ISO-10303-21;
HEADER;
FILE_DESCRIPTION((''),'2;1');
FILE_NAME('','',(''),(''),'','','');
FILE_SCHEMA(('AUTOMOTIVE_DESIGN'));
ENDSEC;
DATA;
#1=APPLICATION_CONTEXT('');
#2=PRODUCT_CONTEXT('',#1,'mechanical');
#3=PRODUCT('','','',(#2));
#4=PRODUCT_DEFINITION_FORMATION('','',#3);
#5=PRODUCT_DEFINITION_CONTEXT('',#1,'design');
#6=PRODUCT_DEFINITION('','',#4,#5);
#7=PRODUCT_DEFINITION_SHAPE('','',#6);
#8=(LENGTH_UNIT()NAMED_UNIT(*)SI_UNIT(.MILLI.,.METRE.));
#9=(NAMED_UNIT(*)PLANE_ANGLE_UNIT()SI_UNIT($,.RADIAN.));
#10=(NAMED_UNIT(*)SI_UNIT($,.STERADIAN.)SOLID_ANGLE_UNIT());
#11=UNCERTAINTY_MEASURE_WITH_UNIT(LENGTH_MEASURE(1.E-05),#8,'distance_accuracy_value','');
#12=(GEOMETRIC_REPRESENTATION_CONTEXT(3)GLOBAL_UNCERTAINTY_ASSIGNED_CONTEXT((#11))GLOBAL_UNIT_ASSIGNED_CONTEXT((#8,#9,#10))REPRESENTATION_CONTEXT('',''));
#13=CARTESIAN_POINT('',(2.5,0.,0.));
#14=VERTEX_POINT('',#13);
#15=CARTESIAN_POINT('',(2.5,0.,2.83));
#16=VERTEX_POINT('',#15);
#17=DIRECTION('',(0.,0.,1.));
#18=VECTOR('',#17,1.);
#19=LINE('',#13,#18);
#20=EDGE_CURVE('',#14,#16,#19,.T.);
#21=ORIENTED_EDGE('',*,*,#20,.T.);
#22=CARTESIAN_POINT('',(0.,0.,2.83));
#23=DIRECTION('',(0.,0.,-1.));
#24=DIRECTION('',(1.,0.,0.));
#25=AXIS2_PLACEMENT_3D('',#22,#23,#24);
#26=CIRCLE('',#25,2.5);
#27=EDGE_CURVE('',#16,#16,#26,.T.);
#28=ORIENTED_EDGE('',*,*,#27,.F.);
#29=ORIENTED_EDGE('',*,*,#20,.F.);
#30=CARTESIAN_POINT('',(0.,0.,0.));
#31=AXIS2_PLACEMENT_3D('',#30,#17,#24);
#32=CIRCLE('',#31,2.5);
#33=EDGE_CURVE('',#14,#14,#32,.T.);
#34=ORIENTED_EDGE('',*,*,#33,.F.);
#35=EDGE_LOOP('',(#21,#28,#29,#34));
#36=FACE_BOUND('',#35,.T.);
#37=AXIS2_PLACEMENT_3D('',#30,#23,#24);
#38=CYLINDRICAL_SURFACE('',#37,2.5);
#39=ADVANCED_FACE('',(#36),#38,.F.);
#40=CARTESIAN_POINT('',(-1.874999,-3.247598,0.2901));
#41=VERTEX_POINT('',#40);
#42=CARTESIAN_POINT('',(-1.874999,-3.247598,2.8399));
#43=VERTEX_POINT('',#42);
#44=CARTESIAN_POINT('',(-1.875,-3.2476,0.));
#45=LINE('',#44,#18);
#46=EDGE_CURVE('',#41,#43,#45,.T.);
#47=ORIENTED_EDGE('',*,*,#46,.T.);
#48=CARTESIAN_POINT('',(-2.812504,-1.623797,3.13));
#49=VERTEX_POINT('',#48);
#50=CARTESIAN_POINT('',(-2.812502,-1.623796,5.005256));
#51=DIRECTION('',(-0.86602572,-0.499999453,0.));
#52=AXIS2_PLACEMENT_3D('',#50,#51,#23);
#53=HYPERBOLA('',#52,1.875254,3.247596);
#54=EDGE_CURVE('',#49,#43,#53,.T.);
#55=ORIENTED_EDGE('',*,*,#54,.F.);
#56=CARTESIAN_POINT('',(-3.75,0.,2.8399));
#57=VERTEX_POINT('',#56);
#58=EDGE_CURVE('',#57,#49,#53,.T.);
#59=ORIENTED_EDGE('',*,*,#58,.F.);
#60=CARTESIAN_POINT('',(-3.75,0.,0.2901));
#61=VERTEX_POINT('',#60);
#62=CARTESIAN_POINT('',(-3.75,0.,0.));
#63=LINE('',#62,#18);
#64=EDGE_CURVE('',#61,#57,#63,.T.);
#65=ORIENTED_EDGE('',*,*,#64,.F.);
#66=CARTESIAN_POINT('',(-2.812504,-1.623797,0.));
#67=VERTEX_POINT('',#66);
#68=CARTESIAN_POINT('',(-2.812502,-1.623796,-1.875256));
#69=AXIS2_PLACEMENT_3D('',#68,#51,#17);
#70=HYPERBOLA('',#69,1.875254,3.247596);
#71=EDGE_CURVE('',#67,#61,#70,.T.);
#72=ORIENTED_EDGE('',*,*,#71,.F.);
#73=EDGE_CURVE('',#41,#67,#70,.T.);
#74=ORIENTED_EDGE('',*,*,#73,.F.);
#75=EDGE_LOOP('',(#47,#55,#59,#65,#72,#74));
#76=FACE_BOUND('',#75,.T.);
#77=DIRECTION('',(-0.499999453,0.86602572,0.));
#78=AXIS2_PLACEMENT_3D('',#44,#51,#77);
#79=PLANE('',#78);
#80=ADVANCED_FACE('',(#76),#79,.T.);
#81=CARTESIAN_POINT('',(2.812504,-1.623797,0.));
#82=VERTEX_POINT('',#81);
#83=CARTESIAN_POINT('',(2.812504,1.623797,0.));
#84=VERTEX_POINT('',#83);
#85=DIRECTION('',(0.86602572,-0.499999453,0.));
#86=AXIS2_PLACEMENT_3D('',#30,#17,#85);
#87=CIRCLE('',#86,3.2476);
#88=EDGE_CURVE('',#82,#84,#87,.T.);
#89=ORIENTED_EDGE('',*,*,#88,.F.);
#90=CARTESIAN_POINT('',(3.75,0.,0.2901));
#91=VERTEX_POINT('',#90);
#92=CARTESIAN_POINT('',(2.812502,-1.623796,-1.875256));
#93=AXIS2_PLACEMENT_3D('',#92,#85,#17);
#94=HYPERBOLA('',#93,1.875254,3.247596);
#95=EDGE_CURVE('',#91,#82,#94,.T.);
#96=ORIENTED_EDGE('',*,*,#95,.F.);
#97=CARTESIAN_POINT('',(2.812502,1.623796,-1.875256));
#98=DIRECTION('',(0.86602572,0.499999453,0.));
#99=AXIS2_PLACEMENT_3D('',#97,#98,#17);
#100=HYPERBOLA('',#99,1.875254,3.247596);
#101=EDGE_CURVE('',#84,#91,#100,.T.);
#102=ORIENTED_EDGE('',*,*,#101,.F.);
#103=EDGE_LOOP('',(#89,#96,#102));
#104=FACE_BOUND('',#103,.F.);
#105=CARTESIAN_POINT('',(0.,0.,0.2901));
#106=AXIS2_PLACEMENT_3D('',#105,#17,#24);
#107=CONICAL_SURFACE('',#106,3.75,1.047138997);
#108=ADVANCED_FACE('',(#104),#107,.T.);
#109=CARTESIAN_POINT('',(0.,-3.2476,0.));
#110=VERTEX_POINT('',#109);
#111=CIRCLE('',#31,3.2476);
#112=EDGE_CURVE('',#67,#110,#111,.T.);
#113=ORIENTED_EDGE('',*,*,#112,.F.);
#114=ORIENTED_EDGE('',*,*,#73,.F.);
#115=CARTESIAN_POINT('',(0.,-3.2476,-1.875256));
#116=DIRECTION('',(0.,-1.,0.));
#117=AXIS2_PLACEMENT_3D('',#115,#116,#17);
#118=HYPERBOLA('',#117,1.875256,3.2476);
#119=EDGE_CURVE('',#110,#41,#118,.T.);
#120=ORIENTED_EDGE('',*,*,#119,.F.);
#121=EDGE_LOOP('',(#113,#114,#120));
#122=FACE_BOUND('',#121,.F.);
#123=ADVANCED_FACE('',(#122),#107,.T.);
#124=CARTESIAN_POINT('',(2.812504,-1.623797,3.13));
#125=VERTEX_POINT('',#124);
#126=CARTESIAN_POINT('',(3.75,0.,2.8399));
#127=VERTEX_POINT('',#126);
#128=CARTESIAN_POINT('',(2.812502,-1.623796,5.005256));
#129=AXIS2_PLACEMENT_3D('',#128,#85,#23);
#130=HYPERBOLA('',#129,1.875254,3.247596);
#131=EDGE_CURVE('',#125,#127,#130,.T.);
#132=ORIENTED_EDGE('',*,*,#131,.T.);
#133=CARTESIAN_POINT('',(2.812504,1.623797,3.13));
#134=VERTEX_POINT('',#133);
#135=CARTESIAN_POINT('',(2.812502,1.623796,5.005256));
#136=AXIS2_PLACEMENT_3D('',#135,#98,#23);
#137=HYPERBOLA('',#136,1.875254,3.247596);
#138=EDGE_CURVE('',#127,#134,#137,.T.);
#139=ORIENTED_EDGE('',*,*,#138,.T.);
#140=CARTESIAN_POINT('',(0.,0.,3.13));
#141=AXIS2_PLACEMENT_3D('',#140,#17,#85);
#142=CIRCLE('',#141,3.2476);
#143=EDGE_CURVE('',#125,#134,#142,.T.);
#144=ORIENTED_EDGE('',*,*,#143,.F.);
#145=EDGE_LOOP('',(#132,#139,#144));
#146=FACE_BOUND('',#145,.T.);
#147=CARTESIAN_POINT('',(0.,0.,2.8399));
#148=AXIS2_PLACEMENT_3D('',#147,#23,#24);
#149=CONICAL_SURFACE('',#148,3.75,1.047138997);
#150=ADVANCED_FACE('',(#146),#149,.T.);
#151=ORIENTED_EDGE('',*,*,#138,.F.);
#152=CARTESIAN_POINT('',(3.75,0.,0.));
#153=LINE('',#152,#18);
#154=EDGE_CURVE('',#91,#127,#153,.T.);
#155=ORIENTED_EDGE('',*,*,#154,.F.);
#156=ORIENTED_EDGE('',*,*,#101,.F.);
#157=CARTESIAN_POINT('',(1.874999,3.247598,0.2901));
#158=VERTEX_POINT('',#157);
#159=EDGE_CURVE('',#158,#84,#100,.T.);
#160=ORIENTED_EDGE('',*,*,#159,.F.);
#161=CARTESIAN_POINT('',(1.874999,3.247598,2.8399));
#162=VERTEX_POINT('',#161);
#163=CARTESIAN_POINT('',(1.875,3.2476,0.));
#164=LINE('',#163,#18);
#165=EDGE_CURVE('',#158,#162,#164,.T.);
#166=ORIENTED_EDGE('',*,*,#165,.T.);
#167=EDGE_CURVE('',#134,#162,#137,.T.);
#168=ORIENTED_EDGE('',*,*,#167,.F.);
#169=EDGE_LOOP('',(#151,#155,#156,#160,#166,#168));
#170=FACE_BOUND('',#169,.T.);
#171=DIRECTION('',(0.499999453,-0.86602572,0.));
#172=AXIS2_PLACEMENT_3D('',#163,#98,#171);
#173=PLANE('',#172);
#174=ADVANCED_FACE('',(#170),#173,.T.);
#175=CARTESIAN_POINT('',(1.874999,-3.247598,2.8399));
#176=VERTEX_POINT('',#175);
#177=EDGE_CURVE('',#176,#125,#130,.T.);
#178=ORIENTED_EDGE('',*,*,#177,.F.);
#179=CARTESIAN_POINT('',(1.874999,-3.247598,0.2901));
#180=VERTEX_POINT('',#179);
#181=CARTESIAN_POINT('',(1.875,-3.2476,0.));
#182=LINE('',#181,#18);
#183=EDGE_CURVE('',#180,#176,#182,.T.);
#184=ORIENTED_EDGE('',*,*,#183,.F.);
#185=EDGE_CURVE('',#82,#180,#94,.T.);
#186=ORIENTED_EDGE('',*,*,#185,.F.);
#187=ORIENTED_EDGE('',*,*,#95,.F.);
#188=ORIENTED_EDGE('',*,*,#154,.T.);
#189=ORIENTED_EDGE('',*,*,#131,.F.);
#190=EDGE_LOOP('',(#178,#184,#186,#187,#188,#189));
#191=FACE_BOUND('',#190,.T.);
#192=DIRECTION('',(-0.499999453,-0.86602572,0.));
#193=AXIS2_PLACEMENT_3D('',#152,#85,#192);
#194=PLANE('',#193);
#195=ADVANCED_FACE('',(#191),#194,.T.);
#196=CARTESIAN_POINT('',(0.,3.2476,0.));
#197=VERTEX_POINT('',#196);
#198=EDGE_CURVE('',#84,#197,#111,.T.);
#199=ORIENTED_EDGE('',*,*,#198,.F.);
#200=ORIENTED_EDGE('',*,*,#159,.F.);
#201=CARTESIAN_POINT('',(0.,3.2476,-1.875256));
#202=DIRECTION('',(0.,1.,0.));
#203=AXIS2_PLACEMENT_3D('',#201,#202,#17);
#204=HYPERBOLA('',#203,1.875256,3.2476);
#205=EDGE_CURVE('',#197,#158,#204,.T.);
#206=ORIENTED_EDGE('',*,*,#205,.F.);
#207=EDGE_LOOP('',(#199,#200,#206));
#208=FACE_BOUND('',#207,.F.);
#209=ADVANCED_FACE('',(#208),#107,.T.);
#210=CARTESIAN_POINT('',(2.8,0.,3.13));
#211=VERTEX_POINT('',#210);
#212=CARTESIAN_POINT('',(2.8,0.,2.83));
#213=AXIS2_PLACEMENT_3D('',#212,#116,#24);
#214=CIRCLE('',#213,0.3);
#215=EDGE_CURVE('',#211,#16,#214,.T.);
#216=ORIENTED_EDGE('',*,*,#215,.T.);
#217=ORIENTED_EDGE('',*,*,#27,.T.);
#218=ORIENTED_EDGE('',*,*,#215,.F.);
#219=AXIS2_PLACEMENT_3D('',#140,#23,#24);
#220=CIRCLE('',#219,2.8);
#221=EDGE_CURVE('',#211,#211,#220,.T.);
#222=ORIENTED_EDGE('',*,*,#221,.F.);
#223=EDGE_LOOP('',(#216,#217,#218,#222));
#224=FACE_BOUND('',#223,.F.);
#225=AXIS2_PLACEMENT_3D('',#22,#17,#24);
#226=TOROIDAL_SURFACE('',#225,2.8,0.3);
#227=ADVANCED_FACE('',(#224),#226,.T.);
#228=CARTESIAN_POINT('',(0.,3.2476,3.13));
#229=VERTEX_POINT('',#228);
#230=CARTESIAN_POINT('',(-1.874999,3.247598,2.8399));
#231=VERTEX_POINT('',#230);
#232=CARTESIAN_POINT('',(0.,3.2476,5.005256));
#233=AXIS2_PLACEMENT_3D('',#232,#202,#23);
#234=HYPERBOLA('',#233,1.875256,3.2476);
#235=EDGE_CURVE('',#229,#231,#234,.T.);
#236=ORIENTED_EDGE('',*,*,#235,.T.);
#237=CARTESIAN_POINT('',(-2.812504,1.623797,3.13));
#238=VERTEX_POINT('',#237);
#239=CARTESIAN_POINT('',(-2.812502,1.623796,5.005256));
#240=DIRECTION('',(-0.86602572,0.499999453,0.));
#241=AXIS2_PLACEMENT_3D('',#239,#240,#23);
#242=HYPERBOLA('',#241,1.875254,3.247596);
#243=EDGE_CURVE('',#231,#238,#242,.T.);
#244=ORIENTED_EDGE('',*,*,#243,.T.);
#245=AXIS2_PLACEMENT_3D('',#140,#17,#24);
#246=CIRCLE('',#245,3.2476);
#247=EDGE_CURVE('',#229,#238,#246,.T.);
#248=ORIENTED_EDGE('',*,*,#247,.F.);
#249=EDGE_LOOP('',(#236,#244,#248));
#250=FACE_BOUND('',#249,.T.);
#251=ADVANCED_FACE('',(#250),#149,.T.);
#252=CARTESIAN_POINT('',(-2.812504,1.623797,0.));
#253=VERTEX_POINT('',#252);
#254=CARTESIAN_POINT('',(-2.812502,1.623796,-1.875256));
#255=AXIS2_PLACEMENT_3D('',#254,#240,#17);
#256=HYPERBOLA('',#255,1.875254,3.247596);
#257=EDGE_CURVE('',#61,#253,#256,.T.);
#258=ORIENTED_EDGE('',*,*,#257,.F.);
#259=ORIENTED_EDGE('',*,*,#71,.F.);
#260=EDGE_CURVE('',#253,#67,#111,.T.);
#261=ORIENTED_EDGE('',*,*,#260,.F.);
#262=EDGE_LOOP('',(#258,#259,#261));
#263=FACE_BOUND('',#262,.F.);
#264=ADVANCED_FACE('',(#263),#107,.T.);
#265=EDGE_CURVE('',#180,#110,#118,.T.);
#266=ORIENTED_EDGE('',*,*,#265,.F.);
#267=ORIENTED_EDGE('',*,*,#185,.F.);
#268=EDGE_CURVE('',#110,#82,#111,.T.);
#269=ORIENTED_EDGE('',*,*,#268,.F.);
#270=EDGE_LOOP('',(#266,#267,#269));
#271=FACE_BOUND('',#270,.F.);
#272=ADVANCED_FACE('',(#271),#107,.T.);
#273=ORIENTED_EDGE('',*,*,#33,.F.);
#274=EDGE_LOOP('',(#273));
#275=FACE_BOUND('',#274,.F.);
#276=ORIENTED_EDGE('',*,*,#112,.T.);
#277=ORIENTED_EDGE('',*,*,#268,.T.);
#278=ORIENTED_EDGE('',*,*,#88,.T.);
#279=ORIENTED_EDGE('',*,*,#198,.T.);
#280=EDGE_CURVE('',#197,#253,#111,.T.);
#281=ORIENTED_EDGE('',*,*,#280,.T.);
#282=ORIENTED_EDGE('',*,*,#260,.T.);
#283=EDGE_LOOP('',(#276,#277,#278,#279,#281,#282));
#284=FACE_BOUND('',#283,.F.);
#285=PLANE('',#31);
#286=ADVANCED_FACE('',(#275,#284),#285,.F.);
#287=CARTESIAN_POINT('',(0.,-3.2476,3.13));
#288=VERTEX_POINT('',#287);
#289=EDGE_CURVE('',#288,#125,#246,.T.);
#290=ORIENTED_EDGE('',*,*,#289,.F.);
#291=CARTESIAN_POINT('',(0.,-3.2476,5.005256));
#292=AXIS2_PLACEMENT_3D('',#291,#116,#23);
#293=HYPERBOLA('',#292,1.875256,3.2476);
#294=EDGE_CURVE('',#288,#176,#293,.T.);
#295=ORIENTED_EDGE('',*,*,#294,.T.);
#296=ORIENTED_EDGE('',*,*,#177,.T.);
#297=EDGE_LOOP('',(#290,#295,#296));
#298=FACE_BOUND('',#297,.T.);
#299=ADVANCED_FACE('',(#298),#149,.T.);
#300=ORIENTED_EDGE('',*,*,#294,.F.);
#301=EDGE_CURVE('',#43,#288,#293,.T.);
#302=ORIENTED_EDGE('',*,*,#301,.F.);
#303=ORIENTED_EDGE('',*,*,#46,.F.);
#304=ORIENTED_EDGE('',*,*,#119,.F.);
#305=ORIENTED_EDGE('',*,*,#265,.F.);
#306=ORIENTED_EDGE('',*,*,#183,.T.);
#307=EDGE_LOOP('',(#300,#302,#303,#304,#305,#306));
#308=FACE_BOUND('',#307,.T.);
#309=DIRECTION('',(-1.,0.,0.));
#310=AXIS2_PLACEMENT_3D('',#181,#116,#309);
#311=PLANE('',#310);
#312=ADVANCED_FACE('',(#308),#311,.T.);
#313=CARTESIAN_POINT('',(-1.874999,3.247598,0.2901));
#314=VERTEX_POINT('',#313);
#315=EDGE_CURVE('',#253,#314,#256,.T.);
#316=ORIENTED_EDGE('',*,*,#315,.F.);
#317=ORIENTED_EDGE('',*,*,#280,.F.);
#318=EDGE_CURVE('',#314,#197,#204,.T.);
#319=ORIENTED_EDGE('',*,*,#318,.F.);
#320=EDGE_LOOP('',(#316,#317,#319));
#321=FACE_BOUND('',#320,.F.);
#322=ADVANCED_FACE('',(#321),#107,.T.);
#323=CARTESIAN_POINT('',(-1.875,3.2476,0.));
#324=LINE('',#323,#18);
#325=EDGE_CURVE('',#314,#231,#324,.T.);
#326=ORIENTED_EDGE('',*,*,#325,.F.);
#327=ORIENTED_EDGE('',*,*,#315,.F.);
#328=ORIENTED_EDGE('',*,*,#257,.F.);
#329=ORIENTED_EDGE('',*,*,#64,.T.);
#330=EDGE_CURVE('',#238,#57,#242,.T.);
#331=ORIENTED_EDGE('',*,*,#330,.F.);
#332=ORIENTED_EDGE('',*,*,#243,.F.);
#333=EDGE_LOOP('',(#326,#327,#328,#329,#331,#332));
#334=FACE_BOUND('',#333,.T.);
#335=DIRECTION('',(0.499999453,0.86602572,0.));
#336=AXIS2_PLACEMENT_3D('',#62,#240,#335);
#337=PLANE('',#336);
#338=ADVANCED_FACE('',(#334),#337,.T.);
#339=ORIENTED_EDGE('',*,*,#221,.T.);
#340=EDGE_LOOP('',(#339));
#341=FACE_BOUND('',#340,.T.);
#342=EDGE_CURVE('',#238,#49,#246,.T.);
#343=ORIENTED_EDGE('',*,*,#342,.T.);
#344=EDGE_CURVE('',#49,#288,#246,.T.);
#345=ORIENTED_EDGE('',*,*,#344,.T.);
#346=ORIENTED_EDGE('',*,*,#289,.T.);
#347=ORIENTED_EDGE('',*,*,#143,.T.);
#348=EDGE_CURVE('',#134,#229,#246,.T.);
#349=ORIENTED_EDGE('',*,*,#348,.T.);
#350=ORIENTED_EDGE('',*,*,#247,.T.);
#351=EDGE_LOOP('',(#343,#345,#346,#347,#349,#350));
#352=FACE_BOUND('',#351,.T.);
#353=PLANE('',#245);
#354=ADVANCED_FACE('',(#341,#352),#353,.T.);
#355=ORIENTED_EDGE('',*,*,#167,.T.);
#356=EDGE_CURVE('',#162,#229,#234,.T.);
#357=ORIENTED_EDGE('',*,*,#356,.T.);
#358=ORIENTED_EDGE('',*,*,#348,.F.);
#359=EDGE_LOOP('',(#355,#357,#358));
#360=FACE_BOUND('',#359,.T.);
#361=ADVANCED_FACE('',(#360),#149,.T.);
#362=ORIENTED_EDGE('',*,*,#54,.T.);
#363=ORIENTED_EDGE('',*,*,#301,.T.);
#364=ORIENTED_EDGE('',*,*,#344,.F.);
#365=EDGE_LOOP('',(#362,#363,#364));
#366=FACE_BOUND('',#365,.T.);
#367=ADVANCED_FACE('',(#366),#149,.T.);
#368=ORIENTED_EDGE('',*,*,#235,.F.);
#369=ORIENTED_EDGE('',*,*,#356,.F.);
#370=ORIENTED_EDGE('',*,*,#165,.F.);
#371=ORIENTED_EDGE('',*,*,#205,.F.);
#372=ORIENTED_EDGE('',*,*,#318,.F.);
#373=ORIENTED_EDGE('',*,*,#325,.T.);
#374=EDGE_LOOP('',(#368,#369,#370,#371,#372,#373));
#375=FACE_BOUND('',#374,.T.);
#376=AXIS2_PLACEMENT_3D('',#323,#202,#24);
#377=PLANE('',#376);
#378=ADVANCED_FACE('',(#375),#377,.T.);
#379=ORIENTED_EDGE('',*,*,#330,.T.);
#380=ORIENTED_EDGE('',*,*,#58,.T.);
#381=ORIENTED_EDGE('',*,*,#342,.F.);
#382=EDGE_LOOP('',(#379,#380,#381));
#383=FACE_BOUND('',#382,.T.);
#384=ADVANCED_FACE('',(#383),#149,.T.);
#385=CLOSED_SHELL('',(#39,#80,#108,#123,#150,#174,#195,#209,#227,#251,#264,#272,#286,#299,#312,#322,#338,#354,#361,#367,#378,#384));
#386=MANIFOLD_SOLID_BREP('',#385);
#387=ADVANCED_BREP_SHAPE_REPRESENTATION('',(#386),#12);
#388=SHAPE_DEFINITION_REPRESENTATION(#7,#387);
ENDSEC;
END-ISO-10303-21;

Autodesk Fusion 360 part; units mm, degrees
sketch "Sketch1" plane through (0, 0, 0) normal (0, 0, 1) x (1, 0, 0) in component "Component"
  line L0 (1.875, 3.2476) -> (3.75, 0)
  line L1 (-1.875, 3.2476) -> (1.875, 3.2476)
  line L2 (-3.75, 0) -> (-1.875, 3.2476)
  line L3 (-1.875, -3.2476) -> (-3.75, 0)
  line L4 (1.875, -3.2476) -> (-1.875, -3.2476)
  line L5 (3.75, 0) -> (1.875, -3.2476)
extrude "Extrude1" add sketch "Sketch1" along normal blind 3.13 in component "Component"
sketch "Sketch2" plane through (0, 0, 0) normal (0, 0, 1) x (1, 0, 0) in component "Component"
  circle A0 centre (0, 0) radius 2.5
extrude "Extrude2" cut sketch "Sketch2" along normal through all in component "Component"
fillet "Fillet1" radius 0.3 1 edges at (-2.3308, 0.904, 3.13) in component "Component"
sketch "Sketch3" plane through (0, 0, 0) normal (0, 1, 0) x (1, 0, 0) in component "Component"
  line L0 (3.2476, 0) -> (3.75, 0)
  line L1 (3.75, 0) -> (3.75, -0.2901)
  line L2 (3.75, -0.2901) -> (3.2476, 0)
  line L3 (3.2476, -3.13) -> (3.75, -3.13)
  line L4 (3.75, -3.13) -> (3.75, -2.8399)
  line L5 (3.75, -2.8399) -> (3.2476, -3.13)
revolve "Revolve1" cut sketch "Sketch3" angle 360 about axis through (0, 0, 1.75) along (0, 0, 1) contours L3 L4 L5 in component "Component"
revolve "Revolve2" cut sketch "Sketch3" angle 360 about axis through (0, 0, 1.75) along (0, 0, 1) contours L0 L1 L2 in component "Component"
thread "Thread1" in component "Component"
component "Component" placed x (1, 0, 0) y (0, 1, 0) z (0, 0, 1) at (0, 0, 0)
